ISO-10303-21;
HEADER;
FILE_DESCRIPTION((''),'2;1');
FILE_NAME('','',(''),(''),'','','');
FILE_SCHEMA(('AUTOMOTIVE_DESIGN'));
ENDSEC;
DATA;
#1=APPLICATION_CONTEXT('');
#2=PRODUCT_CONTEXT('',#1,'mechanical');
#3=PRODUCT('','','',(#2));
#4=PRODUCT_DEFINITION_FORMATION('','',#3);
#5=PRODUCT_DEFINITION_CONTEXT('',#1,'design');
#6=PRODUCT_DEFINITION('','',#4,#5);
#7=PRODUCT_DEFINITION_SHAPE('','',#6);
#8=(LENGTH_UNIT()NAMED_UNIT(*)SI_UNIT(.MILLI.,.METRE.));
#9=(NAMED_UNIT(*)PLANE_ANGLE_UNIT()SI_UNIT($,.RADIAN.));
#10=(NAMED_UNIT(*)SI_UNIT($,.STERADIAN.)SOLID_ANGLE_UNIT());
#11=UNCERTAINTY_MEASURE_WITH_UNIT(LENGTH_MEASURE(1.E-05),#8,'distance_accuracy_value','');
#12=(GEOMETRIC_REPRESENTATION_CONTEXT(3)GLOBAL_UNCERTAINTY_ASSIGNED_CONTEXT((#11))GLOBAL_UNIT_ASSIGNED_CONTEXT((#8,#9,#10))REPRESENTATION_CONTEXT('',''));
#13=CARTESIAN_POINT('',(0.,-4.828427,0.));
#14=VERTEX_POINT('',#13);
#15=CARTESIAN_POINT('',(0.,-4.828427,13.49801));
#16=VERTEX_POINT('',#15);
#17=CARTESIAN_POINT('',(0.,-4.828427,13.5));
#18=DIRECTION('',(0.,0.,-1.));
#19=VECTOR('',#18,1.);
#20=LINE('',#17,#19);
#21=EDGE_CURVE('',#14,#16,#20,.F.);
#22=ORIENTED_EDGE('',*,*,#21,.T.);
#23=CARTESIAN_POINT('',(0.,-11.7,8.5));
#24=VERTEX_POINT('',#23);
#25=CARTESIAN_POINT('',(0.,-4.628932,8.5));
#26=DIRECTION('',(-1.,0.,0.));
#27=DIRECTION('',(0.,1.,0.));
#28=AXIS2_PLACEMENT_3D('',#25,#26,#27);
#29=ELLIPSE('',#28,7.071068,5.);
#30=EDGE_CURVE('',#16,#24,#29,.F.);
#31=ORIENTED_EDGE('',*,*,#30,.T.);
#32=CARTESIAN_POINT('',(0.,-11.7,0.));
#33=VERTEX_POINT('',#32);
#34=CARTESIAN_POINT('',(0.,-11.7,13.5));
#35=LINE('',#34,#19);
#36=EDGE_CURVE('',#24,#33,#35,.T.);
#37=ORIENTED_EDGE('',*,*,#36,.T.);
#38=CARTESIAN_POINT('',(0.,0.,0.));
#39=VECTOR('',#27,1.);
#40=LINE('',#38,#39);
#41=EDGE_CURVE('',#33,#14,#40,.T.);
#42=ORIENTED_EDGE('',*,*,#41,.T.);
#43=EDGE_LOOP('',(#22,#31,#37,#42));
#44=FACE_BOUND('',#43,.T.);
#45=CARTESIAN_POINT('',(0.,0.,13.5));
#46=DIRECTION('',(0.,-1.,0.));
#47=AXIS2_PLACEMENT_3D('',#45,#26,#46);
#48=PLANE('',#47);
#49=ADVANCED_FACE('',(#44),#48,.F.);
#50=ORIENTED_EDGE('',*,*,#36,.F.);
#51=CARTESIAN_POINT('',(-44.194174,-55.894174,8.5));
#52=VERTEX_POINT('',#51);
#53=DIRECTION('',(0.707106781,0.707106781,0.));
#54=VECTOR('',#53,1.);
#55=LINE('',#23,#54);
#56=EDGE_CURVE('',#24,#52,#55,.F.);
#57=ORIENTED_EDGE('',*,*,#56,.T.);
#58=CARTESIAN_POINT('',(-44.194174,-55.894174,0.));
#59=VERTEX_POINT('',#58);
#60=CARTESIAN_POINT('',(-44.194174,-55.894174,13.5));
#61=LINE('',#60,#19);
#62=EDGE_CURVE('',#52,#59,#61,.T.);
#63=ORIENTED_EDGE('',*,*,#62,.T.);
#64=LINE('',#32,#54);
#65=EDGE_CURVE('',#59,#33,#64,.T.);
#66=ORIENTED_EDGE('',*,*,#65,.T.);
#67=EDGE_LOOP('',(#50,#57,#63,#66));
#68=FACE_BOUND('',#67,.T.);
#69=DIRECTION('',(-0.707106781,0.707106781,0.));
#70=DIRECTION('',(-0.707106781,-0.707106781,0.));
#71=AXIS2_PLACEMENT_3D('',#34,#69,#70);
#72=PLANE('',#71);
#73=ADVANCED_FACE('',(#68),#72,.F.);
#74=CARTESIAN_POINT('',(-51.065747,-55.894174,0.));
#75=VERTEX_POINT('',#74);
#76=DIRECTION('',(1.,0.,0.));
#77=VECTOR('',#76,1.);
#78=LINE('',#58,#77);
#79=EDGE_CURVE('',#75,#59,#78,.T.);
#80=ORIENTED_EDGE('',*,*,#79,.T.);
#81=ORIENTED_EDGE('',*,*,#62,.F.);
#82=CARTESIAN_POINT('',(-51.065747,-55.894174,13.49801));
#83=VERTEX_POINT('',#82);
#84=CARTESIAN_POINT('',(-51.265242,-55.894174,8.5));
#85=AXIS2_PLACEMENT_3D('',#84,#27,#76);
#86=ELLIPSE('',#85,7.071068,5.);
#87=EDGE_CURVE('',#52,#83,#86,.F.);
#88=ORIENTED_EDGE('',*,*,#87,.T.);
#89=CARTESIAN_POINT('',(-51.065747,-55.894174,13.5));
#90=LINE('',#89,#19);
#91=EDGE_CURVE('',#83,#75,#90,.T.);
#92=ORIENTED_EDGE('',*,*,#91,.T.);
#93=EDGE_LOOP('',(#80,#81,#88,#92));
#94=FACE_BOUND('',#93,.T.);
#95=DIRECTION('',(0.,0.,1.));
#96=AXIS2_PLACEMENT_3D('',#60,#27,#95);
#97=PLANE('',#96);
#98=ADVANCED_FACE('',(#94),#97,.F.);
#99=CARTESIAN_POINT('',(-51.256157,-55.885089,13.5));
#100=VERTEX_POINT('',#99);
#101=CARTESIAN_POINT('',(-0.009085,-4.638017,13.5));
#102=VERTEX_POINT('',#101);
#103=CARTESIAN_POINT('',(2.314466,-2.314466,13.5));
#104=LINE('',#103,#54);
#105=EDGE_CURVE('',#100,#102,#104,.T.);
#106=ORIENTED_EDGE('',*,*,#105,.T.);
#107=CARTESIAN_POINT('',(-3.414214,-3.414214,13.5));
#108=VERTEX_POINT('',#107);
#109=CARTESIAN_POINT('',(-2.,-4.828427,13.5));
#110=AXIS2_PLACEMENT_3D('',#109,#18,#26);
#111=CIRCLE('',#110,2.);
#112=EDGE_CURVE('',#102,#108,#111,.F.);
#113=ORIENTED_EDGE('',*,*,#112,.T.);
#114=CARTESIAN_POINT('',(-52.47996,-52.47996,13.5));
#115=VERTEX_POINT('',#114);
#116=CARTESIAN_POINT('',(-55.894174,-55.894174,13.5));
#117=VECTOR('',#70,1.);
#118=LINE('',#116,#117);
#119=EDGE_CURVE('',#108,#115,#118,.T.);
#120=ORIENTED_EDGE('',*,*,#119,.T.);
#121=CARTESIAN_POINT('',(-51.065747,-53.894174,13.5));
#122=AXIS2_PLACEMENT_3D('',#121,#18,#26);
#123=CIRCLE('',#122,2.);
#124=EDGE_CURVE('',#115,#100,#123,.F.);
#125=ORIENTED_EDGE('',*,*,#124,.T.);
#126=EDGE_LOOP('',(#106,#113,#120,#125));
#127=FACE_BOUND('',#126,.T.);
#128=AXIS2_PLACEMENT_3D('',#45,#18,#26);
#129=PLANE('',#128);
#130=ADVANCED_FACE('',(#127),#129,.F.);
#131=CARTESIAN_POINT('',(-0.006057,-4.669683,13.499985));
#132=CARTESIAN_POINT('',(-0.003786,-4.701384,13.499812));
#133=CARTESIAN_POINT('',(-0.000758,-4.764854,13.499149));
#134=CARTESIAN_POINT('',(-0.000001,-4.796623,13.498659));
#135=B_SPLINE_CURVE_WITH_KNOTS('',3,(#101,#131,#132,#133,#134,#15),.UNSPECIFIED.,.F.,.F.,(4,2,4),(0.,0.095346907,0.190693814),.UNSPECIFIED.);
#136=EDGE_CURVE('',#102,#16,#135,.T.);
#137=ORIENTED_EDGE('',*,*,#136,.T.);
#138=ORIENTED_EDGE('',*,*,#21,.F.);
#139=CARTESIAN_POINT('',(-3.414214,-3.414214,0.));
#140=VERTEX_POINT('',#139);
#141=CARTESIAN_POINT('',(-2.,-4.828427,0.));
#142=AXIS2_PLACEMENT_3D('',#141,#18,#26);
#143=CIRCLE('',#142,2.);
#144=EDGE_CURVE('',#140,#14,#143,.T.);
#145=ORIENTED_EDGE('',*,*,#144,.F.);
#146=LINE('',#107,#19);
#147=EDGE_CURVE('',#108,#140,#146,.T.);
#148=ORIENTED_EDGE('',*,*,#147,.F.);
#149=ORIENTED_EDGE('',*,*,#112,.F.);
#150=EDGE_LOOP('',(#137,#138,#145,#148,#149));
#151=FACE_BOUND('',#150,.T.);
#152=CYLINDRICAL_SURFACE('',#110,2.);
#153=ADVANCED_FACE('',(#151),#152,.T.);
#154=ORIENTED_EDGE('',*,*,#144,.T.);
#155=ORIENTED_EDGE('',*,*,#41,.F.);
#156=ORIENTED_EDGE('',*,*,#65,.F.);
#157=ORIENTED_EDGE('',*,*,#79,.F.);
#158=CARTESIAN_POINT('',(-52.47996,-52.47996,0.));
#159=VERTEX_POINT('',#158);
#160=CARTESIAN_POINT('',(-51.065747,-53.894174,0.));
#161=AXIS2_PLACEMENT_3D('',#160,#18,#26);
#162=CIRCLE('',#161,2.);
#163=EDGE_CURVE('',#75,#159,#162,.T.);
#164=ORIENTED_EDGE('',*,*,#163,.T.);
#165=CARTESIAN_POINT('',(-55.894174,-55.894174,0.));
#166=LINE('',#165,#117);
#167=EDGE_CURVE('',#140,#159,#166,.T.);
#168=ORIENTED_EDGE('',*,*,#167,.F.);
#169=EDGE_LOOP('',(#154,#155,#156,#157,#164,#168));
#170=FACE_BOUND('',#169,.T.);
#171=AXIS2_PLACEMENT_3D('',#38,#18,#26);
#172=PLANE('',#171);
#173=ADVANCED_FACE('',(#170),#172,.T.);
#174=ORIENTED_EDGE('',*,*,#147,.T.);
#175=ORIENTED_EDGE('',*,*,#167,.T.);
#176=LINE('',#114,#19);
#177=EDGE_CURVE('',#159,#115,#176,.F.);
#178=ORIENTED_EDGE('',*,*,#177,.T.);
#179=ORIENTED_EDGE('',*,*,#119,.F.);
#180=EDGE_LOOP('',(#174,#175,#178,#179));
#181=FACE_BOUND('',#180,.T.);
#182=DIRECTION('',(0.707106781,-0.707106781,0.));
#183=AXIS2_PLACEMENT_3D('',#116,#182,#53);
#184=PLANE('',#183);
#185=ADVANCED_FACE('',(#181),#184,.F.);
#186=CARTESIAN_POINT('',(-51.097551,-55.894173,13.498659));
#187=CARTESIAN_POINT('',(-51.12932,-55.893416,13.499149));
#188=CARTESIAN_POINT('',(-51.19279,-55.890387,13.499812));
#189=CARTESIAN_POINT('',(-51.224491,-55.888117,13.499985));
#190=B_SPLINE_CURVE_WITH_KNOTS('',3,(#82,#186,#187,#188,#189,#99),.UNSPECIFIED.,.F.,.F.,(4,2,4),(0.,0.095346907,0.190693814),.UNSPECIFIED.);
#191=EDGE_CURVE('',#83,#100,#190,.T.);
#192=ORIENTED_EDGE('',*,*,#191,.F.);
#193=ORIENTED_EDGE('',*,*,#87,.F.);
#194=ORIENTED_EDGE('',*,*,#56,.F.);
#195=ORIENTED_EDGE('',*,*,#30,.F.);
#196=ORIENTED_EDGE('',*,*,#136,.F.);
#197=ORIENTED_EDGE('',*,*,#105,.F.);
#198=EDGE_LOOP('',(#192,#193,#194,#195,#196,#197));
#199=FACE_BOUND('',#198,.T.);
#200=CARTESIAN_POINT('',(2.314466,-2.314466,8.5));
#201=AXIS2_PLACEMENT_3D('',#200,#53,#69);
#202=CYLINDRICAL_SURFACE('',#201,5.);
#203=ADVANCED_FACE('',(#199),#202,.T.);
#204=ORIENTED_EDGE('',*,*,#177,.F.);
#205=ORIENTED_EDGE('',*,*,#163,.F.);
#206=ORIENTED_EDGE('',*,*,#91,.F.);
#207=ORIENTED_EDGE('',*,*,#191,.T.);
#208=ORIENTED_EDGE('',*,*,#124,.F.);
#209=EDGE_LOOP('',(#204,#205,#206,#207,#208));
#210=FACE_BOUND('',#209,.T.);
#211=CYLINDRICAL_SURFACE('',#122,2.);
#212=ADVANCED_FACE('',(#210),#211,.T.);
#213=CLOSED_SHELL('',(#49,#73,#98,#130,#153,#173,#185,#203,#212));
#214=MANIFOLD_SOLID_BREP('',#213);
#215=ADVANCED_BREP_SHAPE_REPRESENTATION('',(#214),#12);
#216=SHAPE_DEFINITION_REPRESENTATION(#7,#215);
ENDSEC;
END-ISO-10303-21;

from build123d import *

# Parameters (mm, degrees)
EXTRUDE_1_DEPTH = 13.5
FILLET_1_R      = 2
FILLET_2_R      = 2
FILLET_3_R      = 5


with BuildPart() as part:
    # 草图1 → 凸台-拉伸1 (new body)
    with BuildSketch(Plane.XY):
        Polygon((0, 0), (0, -11.7), (-44.194173824, -55.894173824), (-55.894173824, -55.894173824), align=None)
    extrude(amount=EXTRUDE_1_DEPTH)

    # 圆角1
    fillet_1_edges = [part.edges().sort_by_distance(p)[0] for p in [
        (-55.894173824, -55.894173824, 6.75),
    ]]
    fillet(fillet_1_edges, radius=FILLET_1_R)

    # 圆角2
    fillet_2_edges = [part.edges().sort_by_distance(p)[0] for p in [
        (0, 0, 6.75),
    ]]
    fillet(fillet_2_edges, radius=FILLET_2_R)

    # 圆角3
    fillet_3_edges = [part.edges().sort_by_distance(p)[0] for p in [
        (-22.097086912, -33.797086912, 13.5),
    ]]
    fillet(fillet_3_edges, radius=FILLET_3_R)


solid = part.part
